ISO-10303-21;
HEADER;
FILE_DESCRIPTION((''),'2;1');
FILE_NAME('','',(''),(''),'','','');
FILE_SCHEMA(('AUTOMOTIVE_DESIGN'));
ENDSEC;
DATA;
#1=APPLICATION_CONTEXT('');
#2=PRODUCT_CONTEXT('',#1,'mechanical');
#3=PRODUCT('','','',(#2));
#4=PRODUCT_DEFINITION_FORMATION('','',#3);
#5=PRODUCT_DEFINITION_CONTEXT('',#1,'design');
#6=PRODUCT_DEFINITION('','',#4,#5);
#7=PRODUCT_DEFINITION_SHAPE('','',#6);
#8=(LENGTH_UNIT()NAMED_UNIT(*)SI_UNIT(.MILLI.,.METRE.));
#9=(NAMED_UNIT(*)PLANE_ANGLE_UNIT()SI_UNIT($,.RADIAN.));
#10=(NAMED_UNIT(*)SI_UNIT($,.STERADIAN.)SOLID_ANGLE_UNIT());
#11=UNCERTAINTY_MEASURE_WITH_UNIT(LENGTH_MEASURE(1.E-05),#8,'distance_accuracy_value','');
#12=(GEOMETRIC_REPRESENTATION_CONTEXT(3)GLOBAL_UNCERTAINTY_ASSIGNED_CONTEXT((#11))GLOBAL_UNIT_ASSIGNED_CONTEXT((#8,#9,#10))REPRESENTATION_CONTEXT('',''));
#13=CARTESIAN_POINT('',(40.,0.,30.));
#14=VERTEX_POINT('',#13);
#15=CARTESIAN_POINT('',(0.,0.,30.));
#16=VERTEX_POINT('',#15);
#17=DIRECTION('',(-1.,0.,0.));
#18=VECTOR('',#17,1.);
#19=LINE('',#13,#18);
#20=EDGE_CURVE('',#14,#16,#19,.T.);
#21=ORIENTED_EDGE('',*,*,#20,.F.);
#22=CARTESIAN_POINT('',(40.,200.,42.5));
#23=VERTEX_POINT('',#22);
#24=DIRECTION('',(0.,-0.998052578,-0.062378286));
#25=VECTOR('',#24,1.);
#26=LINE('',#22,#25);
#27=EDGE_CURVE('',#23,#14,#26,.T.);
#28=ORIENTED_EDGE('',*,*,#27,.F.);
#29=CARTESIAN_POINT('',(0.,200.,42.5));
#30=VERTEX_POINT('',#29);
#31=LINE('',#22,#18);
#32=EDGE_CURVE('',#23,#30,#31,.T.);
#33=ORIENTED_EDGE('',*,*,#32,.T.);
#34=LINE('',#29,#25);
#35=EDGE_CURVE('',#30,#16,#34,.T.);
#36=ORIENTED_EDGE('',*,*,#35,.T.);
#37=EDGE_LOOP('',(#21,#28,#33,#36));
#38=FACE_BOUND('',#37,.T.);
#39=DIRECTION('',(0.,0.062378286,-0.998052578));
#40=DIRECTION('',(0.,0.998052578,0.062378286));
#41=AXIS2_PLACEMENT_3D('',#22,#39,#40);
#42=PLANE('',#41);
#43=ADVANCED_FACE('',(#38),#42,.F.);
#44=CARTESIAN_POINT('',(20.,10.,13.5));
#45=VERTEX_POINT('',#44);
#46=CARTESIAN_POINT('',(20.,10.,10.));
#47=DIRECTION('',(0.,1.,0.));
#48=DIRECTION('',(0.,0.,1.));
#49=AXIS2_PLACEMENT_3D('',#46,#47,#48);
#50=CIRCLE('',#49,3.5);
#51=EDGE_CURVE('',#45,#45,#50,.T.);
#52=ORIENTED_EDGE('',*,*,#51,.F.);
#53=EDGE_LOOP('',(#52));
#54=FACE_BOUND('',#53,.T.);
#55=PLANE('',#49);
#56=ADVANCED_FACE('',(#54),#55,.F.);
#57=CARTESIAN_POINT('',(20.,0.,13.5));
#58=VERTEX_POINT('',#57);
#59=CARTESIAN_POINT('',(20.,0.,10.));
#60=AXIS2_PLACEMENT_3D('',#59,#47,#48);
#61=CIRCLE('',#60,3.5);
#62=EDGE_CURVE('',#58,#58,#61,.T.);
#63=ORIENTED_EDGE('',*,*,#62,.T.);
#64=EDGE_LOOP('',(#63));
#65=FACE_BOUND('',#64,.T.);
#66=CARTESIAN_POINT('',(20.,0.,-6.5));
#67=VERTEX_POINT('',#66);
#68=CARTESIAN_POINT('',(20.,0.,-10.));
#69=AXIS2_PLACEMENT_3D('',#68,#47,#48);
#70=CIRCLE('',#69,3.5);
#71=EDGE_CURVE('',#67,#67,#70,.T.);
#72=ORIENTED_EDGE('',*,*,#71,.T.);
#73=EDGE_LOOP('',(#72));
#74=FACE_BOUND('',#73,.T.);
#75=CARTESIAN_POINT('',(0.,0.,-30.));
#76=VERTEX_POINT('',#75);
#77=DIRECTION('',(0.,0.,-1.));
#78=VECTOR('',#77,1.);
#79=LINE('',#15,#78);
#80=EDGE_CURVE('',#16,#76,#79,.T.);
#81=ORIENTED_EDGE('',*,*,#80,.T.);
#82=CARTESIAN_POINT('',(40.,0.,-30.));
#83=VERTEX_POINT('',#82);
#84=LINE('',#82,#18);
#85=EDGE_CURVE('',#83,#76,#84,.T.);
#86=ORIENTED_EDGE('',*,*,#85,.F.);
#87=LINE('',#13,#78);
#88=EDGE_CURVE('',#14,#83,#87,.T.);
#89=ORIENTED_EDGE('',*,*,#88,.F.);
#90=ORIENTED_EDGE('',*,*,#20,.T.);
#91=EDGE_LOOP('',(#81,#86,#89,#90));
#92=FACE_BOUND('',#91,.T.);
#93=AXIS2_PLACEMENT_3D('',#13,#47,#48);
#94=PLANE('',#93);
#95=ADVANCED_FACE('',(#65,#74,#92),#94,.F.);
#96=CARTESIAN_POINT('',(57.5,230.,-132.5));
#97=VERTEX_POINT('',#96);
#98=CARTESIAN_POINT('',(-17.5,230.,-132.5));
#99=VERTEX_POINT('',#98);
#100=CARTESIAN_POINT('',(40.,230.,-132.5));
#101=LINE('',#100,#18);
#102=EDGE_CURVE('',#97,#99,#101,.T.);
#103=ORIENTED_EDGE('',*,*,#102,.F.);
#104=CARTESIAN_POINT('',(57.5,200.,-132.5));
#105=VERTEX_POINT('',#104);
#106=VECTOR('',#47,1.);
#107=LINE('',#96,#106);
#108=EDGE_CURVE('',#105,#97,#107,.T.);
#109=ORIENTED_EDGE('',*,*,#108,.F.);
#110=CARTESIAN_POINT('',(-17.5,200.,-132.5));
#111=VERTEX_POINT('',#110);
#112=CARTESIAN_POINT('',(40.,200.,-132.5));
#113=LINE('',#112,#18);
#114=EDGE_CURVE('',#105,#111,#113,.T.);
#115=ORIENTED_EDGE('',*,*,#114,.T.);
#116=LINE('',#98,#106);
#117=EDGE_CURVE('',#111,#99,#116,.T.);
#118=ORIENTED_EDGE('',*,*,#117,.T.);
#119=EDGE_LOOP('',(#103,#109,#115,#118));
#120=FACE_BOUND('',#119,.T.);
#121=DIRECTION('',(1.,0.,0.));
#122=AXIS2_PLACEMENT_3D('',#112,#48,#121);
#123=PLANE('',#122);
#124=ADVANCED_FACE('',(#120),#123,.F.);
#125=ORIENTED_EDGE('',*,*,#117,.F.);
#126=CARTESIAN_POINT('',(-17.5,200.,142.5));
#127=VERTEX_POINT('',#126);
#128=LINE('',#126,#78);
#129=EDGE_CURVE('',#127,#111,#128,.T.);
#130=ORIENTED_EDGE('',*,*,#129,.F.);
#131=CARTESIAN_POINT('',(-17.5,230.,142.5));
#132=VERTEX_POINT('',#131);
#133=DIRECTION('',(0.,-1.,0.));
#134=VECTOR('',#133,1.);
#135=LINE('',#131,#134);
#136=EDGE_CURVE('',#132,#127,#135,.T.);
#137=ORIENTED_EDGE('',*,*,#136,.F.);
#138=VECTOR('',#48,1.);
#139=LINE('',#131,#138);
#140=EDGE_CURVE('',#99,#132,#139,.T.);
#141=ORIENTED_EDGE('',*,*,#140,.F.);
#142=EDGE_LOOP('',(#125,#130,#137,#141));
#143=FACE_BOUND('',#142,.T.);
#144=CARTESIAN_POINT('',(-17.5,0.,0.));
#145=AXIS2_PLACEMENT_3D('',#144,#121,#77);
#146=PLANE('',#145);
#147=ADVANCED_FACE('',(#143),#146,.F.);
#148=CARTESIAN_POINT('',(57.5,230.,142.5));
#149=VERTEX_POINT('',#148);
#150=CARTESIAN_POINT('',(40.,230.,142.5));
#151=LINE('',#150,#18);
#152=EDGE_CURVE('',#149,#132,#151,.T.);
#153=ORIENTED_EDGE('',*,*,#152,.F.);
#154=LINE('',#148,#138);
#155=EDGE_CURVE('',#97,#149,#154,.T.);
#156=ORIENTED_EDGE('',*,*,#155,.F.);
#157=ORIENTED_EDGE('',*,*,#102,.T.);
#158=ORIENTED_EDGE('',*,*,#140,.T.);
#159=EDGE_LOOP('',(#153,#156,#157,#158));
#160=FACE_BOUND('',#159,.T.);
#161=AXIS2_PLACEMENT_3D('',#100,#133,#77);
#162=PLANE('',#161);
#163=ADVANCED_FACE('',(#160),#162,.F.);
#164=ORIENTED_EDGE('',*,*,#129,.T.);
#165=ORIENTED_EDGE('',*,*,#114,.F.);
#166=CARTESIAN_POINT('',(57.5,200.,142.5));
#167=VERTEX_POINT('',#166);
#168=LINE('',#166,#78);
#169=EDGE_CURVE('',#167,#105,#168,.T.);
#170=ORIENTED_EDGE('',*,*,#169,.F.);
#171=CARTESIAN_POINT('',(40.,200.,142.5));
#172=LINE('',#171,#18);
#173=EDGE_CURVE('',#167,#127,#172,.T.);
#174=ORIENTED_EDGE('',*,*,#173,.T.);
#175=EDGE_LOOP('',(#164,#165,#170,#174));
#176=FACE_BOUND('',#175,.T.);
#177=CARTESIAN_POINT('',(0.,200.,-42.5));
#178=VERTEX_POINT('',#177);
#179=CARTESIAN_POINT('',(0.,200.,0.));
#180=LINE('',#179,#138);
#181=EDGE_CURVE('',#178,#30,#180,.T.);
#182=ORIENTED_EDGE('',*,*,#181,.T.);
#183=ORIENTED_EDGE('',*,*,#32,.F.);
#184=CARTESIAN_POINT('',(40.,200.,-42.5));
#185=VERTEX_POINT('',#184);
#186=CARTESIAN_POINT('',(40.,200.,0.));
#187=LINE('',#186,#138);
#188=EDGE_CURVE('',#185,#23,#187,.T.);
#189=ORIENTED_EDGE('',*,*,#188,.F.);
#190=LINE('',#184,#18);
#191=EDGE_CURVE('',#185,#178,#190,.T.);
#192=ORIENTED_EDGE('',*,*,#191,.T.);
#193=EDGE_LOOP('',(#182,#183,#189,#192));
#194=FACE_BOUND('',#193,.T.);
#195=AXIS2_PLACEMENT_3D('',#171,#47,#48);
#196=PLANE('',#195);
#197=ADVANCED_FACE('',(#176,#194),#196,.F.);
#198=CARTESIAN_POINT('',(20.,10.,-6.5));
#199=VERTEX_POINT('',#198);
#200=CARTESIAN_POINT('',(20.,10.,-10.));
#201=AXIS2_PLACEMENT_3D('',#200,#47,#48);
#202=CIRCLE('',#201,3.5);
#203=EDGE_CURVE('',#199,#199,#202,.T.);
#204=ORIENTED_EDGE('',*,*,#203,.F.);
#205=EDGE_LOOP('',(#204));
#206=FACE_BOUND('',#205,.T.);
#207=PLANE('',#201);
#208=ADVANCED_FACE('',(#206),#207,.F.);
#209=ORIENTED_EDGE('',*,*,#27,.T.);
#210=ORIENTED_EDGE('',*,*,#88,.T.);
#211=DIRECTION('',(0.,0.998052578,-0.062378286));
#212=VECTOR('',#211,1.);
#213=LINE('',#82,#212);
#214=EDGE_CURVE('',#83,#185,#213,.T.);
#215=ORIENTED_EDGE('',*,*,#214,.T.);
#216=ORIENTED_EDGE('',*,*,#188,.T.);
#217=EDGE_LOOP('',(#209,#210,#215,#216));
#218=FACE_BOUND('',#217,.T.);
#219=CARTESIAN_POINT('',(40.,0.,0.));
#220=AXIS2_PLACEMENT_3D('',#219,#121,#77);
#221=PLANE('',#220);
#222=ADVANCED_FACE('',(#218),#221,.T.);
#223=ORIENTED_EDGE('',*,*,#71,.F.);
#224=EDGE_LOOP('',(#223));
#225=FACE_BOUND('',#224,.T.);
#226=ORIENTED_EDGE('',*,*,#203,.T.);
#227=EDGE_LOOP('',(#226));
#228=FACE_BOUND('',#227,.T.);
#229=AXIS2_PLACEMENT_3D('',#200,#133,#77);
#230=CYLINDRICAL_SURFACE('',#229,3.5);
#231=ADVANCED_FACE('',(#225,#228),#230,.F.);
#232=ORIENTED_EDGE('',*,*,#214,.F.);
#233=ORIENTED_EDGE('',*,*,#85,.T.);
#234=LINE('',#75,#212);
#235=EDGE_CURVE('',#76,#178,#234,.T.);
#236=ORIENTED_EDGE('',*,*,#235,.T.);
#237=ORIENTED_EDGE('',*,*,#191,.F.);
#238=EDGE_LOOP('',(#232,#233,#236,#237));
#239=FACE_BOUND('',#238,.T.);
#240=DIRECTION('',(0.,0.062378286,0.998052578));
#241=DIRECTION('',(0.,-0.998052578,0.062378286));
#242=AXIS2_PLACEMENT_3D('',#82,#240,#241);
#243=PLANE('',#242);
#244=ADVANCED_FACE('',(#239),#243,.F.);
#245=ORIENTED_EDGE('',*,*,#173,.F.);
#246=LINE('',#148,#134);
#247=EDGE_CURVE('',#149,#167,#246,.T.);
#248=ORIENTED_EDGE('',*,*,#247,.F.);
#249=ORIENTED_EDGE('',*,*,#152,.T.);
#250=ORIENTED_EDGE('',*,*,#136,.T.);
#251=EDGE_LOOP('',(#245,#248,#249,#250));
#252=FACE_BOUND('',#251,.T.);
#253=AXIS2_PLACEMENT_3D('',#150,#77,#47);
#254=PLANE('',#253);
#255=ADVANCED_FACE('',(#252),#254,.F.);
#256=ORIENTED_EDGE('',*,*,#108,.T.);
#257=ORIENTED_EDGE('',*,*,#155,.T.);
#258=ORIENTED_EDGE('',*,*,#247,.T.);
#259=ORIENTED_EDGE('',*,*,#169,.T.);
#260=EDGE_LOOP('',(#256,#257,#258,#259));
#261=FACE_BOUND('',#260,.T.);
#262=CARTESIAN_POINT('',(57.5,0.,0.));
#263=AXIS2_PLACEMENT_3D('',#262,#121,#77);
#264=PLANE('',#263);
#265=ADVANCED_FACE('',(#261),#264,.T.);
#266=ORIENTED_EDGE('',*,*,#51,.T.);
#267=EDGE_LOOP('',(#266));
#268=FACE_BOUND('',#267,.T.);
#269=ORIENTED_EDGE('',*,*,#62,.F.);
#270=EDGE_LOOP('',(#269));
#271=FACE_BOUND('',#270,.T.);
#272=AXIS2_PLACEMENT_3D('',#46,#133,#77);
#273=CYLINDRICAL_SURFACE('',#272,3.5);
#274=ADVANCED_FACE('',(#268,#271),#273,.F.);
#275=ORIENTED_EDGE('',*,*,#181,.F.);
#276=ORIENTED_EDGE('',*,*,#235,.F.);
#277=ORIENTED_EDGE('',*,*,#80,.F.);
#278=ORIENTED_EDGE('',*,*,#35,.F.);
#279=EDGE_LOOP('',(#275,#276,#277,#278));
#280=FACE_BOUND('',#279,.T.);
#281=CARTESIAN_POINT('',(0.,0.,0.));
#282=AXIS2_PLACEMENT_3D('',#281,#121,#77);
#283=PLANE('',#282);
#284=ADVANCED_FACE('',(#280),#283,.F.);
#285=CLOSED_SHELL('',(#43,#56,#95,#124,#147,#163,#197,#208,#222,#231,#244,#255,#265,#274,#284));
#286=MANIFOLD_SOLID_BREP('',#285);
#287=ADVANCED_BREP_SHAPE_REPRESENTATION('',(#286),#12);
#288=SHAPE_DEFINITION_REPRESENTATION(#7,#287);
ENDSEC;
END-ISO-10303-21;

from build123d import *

# Parameters (mm, degrees)
BOSS_EXTRUDE1_DEPTH = 40
BOSS_EXTRUDE2_START = -17.5
SKETCH2_W           = 275
SKETCH2_H           = 30
BOSS_EXTRUDE2_DEPTH = 75
SKETCH4_R           = 3.5
CUT_EXTRUDE1_DEPTH  = 10


with BuildPart() as part:
    # Sketch1 → Boss-Extrude1 (new body)
    with BuildSketch(Plane(origin=(0, 0, 0), x_dir=(0, 0, -1), z_dir=(1, 0, 0))):
        Polygon((-30, 0), (30, 0), (42.5, 200), (132.5, 200), (132.5, 230), (-142.5, 230), (-142.5, 200), (-42.5, 200), align=None)
    extrude(amount=BOSS_EXTRUDE1_DEPTH)

    # Sketch2 → Boss-Extrude2 (add)
    with BuildSketch(Plane(origin=(0, 0, 0), x_dir=(0, 0, -1), z_dir=(1, 0, 0)).offset(BOSS_EXTRUDE2_START)):
        with Locations((-5, 215)):
            Rectangle(SKETCH2_W, SKETCH2_H)
    extrude(amount=BOSS_EXTRUDE2_DEPTH)

    # Sketch4 → Cut-Extrude1 (cut)
    with BuildSketch(Plane(origin=(0, 0, 0), x_dir=(1, 0, 0), z_dir=(0, 1, 0))):
        with Locations(Location((20, -10, 0), (0, 0, 270))):
            Circle(SKETCH4_R)
        with Locations(Location((20, 10, 0), (0, 0, 270))):
            Circle(SKETCH4_R)
    extrude(amount=CUT_EXTRUDE1_DEPTH, mode=Mode.SUBTRACT)


solid = part.part
